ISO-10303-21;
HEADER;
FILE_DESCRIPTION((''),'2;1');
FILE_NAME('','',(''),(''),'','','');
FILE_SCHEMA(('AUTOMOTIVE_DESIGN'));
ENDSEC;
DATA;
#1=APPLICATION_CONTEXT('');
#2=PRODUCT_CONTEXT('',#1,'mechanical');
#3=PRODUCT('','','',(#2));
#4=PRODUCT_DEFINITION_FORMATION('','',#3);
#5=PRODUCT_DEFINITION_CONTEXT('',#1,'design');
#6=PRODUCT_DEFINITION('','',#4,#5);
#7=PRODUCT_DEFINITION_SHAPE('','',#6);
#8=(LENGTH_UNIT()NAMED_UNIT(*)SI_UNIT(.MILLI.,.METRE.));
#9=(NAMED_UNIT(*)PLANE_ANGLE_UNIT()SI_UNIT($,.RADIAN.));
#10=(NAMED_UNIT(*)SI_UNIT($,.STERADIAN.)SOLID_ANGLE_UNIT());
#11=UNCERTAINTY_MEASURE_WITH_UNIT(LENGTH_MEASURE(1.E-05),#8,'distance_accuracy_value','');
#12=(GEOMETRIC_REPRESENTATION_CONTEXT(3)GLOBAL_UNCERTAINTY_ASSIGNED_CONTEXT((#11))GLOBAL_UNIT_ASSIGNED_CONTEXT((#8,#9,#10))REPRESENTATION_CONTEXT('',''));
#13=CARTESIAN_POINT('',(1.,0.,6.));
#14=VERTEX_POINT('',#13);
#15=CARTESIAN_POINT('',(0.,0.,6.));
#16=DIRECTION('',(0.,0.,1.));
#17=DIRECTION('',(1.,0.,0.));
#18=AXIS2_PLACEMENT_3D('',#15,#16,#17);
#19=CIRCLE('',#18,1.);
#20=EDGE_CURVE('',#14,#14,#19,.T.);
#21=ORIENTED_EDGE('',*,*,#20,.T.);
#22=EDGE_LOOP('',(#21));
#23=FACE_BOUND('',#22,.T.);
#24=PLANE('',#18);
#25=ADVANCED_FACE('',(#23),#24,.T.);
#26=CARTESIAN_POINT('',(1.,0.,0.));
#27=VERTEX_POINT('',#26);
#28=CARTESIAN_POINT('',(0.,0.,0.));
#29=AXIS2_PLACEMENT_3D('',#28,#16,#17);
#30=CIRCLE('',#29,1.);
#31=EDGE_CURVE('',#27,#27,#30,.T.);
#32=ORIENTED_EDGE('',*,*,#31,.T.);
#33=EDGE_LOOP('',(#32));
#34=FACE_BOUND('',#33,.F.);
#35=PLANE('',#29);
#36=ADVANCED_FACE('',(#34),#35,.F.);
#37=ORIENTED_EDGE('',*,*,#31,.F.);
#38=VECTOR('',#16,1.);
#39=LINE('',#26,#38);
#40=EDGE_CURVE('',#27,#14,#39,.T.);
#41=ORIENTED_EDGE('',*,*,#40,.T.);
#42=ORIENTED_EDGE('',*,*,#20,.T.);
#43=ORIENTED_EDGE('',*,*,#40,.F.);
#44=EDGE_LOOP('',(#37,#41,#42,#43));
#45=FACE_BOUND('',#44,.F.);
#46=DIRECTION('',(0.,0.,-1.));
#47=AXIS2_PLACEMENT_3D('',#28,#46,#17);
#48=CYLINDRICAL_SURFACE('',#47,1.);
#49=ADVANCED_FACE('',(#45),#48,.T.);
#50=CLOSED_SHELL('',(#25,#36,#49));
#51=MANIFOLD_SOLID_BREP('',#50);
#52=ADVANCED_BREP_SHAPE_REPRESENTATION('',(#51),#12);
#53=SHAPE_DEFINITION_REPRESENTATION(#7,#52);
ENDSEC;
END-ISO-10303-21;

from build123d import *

# Parameters (mm, degrees)
ESQUISSE1_R        = 1
BOSS_EXTRU_1_DEPTH = 6


with BuildPart() as part:
    # Esquisse1 → Boss.-Extru.1 (new body)
    with BuildSketch(Plane.XY):
        Circle(ESQUISSE1_R)
    extrude(amount=BOSS_EXTRU_1_DEPTH)


solid = part.part
